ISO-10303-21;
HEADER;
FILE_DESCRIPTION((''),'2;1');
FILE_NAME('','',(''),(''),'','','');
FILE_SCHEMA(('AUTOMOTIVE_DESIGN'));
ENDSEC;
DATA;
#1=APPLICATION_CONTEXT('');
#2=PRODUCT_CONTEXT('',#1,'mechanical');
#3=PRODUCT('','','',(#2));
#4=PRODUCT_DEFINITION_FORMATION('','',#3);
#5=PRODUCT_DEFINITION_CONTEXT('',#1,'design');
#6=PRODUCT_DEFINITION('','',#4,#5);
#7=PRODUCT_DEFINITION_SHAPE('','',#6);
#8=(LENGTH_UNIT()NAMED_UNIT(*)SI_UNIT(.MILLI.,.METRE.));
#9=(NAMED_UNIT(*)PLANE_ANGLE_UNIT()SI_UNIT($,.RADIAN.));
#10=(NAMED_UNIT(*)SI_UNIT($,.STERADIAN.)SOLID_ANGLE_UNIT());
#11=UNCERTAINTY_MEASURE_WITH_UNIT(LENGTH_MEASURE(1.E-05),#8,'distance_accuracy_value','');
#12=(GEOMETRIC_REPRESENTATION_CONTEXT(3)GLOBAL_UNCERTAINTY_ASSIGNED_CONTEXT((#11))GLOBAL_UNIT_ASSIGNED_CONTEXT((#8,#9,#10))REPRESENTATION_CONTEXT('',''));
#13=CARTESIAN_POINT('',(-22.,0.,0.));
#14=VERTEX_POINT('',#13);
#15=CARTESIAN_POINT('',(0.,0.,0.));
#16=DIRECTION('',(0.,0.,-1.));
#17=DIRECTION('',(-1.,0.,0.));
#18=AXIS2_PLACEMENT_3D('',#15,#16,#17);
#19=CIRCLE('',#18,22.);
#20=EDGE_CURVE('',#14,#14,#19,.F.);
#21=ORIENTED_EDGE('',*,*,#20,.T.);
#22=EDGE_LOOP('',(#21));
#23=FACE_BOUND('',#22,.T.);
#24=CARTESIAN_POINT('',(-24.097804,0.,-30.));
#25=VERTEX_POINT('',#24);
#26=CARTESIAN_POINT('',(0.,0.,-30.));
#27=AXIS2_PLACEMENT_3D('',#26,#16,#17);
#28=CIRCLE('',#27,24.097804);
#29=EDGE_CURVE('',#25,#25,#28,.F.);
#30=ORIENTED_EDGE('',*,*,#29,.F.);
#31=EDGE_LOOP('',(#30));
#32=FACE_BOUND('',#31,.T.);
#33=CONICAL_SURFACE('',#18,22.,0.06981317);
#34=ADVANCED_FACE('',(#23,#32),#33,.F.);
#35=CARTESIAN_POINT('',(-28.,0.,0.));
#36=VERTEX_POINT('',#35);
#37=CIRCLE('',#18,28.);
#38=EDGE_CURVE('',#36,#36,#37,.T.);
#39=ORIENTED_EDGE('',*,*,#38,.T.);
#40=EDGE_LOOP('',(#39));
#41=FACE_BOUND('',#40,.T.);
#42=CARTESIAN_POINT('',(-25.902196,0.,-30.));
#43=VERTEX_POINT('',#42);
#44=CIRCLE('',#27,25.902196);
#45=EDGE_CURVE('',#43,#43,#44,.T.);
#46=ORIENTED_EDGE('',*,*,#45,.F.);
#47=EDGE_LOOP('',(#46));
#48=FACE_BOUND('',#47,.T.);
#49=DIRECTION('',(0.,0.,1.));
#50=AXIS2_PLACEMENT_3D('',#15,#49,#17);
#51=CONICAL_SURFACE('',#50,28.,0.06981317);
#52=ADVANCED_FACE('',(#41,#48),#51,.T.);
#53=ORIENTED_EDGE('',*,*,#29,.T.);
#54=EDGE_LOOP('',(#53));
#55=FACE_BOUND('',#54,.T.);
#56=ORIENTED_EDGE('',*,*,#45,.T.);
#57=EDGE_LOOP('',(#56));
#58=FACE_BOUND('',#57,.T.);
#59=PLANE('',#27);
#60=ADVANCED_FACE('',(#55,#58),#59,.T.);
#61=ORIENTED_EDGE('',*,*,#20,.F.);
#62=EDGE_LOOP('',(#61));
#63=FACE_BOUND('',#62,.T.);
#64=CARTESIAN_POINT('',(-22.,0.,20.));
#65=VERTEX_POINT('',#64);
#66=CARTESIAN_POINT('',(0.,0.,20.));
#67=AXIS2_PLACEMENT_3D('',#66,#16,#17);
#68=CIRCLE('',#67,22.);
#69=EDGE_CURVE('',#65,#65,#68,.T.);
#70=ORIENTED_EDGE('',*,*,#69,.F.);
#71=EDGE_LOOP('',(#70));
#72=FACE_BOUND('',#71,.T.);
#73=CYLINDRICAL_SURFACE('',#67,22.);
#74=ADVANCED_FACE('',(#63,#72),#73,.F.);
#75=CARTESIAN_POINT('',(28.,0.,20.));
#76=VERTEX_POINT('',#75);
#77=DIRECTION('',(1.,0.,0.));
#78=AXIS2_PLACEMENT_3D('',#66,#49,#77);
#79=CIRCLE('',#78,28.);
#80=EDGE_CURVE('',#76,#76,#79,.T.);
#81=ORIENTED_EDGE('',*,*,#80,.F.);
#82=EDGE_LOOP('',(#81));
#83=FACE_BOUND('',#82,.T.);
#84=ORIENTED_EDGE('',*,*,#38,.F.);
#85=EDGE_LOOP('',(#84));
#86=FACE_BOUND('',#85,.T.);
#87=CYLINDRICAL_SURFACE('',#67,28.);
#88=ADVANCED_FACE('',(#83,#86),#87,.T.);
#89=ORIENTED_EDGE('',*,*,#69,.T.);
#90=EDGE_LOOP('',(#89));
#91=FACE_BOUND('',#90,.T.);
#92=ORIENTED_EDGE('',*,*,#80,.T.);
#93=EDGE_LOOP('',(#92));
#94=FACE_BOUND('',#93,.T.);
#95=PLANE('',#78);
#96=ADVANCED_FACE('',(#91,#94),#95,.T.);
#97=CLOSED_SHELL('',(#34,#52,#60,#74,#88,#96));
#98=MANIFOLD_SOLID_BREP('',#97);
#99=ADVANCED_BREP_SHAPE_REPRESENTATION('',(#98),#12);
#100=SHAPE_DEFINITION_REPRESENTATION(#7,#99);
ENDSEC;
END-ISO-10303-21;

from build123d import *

# Parameters (mm, degrees)
ESQUISSE1_R             = 28
BOSS_EXTRU_1_DEPTH      = 20
ESQUISSE2_R             = 22
ENL_V_MAT_EXTRU_1_DEPTH = 20
ESQUISSE3_R             = 28
ESQUISSE3_R_2           = 22
BOSS_EXTRU_2_DEPTH      = 30
BOSS_EXTRU_2_DRAFT      = 4


with BuildPart() as part:
    # Esquisse1 → Boss.-Extru.1 (new body)
    with BuildSketch(Plane.XY):
        Circle(ESQUISSE1_R)
    extrude(amount=BOSS_EXTRU_1_DEPTH)

    # Esquisse2 → Enlèv. mat.-Extru.1 (cut)
    with BuildSketch(Plane(origin=(0, 0, 0), x_dir=(-1, 0, 0), z_dir=(0, 0, -1))):
        Circle(ESQUISSE2_R)
    extrude(amount=-ENL_V_MAT_EXTRU_1_DEPTH, mode=Mode.SUBTRACT)


with BuildPart() as boss_extru_2_tool:
    # Esquisse3 → Boss.-Extru.2 (with draft: the straight prism first)
    with BuildSketch(Plane(origin=(0, 0, 0), x_dir=(-1, 0, 0), z_dir=(0, 0, -1))):
        Circle(ESQUISSE3_R)
        Circle(ESQUISSE3_R_2, mode=Mode.SUBTRACT)
    extrude(amount=BOSS_EXTRU_2_DEPTH)
    # Boss.-Extru.2: the draft: its side faces are tilted about the plane it starts from
    boss_extru_2_sides = [boss_extru_2_tool.faces().sort_by_distance(p)[0] for p in [
        (28, 0, -15),
        (22, 0, -15),
    ]]
    draft(boss_extru_2_sides, Plane(origin=(0, 0, 0), x_dir=(-1, 0, 0), z_dir=(0, 0, -1)), BOSS_EXTRU_2_DRAFT)


with BuildPart() as part_1:
    add(part.part)

    # Boss.-Extru.2: add boss_extru_2_tool
    add(boss_extru_2_tool.part)


solid = part_1.part
